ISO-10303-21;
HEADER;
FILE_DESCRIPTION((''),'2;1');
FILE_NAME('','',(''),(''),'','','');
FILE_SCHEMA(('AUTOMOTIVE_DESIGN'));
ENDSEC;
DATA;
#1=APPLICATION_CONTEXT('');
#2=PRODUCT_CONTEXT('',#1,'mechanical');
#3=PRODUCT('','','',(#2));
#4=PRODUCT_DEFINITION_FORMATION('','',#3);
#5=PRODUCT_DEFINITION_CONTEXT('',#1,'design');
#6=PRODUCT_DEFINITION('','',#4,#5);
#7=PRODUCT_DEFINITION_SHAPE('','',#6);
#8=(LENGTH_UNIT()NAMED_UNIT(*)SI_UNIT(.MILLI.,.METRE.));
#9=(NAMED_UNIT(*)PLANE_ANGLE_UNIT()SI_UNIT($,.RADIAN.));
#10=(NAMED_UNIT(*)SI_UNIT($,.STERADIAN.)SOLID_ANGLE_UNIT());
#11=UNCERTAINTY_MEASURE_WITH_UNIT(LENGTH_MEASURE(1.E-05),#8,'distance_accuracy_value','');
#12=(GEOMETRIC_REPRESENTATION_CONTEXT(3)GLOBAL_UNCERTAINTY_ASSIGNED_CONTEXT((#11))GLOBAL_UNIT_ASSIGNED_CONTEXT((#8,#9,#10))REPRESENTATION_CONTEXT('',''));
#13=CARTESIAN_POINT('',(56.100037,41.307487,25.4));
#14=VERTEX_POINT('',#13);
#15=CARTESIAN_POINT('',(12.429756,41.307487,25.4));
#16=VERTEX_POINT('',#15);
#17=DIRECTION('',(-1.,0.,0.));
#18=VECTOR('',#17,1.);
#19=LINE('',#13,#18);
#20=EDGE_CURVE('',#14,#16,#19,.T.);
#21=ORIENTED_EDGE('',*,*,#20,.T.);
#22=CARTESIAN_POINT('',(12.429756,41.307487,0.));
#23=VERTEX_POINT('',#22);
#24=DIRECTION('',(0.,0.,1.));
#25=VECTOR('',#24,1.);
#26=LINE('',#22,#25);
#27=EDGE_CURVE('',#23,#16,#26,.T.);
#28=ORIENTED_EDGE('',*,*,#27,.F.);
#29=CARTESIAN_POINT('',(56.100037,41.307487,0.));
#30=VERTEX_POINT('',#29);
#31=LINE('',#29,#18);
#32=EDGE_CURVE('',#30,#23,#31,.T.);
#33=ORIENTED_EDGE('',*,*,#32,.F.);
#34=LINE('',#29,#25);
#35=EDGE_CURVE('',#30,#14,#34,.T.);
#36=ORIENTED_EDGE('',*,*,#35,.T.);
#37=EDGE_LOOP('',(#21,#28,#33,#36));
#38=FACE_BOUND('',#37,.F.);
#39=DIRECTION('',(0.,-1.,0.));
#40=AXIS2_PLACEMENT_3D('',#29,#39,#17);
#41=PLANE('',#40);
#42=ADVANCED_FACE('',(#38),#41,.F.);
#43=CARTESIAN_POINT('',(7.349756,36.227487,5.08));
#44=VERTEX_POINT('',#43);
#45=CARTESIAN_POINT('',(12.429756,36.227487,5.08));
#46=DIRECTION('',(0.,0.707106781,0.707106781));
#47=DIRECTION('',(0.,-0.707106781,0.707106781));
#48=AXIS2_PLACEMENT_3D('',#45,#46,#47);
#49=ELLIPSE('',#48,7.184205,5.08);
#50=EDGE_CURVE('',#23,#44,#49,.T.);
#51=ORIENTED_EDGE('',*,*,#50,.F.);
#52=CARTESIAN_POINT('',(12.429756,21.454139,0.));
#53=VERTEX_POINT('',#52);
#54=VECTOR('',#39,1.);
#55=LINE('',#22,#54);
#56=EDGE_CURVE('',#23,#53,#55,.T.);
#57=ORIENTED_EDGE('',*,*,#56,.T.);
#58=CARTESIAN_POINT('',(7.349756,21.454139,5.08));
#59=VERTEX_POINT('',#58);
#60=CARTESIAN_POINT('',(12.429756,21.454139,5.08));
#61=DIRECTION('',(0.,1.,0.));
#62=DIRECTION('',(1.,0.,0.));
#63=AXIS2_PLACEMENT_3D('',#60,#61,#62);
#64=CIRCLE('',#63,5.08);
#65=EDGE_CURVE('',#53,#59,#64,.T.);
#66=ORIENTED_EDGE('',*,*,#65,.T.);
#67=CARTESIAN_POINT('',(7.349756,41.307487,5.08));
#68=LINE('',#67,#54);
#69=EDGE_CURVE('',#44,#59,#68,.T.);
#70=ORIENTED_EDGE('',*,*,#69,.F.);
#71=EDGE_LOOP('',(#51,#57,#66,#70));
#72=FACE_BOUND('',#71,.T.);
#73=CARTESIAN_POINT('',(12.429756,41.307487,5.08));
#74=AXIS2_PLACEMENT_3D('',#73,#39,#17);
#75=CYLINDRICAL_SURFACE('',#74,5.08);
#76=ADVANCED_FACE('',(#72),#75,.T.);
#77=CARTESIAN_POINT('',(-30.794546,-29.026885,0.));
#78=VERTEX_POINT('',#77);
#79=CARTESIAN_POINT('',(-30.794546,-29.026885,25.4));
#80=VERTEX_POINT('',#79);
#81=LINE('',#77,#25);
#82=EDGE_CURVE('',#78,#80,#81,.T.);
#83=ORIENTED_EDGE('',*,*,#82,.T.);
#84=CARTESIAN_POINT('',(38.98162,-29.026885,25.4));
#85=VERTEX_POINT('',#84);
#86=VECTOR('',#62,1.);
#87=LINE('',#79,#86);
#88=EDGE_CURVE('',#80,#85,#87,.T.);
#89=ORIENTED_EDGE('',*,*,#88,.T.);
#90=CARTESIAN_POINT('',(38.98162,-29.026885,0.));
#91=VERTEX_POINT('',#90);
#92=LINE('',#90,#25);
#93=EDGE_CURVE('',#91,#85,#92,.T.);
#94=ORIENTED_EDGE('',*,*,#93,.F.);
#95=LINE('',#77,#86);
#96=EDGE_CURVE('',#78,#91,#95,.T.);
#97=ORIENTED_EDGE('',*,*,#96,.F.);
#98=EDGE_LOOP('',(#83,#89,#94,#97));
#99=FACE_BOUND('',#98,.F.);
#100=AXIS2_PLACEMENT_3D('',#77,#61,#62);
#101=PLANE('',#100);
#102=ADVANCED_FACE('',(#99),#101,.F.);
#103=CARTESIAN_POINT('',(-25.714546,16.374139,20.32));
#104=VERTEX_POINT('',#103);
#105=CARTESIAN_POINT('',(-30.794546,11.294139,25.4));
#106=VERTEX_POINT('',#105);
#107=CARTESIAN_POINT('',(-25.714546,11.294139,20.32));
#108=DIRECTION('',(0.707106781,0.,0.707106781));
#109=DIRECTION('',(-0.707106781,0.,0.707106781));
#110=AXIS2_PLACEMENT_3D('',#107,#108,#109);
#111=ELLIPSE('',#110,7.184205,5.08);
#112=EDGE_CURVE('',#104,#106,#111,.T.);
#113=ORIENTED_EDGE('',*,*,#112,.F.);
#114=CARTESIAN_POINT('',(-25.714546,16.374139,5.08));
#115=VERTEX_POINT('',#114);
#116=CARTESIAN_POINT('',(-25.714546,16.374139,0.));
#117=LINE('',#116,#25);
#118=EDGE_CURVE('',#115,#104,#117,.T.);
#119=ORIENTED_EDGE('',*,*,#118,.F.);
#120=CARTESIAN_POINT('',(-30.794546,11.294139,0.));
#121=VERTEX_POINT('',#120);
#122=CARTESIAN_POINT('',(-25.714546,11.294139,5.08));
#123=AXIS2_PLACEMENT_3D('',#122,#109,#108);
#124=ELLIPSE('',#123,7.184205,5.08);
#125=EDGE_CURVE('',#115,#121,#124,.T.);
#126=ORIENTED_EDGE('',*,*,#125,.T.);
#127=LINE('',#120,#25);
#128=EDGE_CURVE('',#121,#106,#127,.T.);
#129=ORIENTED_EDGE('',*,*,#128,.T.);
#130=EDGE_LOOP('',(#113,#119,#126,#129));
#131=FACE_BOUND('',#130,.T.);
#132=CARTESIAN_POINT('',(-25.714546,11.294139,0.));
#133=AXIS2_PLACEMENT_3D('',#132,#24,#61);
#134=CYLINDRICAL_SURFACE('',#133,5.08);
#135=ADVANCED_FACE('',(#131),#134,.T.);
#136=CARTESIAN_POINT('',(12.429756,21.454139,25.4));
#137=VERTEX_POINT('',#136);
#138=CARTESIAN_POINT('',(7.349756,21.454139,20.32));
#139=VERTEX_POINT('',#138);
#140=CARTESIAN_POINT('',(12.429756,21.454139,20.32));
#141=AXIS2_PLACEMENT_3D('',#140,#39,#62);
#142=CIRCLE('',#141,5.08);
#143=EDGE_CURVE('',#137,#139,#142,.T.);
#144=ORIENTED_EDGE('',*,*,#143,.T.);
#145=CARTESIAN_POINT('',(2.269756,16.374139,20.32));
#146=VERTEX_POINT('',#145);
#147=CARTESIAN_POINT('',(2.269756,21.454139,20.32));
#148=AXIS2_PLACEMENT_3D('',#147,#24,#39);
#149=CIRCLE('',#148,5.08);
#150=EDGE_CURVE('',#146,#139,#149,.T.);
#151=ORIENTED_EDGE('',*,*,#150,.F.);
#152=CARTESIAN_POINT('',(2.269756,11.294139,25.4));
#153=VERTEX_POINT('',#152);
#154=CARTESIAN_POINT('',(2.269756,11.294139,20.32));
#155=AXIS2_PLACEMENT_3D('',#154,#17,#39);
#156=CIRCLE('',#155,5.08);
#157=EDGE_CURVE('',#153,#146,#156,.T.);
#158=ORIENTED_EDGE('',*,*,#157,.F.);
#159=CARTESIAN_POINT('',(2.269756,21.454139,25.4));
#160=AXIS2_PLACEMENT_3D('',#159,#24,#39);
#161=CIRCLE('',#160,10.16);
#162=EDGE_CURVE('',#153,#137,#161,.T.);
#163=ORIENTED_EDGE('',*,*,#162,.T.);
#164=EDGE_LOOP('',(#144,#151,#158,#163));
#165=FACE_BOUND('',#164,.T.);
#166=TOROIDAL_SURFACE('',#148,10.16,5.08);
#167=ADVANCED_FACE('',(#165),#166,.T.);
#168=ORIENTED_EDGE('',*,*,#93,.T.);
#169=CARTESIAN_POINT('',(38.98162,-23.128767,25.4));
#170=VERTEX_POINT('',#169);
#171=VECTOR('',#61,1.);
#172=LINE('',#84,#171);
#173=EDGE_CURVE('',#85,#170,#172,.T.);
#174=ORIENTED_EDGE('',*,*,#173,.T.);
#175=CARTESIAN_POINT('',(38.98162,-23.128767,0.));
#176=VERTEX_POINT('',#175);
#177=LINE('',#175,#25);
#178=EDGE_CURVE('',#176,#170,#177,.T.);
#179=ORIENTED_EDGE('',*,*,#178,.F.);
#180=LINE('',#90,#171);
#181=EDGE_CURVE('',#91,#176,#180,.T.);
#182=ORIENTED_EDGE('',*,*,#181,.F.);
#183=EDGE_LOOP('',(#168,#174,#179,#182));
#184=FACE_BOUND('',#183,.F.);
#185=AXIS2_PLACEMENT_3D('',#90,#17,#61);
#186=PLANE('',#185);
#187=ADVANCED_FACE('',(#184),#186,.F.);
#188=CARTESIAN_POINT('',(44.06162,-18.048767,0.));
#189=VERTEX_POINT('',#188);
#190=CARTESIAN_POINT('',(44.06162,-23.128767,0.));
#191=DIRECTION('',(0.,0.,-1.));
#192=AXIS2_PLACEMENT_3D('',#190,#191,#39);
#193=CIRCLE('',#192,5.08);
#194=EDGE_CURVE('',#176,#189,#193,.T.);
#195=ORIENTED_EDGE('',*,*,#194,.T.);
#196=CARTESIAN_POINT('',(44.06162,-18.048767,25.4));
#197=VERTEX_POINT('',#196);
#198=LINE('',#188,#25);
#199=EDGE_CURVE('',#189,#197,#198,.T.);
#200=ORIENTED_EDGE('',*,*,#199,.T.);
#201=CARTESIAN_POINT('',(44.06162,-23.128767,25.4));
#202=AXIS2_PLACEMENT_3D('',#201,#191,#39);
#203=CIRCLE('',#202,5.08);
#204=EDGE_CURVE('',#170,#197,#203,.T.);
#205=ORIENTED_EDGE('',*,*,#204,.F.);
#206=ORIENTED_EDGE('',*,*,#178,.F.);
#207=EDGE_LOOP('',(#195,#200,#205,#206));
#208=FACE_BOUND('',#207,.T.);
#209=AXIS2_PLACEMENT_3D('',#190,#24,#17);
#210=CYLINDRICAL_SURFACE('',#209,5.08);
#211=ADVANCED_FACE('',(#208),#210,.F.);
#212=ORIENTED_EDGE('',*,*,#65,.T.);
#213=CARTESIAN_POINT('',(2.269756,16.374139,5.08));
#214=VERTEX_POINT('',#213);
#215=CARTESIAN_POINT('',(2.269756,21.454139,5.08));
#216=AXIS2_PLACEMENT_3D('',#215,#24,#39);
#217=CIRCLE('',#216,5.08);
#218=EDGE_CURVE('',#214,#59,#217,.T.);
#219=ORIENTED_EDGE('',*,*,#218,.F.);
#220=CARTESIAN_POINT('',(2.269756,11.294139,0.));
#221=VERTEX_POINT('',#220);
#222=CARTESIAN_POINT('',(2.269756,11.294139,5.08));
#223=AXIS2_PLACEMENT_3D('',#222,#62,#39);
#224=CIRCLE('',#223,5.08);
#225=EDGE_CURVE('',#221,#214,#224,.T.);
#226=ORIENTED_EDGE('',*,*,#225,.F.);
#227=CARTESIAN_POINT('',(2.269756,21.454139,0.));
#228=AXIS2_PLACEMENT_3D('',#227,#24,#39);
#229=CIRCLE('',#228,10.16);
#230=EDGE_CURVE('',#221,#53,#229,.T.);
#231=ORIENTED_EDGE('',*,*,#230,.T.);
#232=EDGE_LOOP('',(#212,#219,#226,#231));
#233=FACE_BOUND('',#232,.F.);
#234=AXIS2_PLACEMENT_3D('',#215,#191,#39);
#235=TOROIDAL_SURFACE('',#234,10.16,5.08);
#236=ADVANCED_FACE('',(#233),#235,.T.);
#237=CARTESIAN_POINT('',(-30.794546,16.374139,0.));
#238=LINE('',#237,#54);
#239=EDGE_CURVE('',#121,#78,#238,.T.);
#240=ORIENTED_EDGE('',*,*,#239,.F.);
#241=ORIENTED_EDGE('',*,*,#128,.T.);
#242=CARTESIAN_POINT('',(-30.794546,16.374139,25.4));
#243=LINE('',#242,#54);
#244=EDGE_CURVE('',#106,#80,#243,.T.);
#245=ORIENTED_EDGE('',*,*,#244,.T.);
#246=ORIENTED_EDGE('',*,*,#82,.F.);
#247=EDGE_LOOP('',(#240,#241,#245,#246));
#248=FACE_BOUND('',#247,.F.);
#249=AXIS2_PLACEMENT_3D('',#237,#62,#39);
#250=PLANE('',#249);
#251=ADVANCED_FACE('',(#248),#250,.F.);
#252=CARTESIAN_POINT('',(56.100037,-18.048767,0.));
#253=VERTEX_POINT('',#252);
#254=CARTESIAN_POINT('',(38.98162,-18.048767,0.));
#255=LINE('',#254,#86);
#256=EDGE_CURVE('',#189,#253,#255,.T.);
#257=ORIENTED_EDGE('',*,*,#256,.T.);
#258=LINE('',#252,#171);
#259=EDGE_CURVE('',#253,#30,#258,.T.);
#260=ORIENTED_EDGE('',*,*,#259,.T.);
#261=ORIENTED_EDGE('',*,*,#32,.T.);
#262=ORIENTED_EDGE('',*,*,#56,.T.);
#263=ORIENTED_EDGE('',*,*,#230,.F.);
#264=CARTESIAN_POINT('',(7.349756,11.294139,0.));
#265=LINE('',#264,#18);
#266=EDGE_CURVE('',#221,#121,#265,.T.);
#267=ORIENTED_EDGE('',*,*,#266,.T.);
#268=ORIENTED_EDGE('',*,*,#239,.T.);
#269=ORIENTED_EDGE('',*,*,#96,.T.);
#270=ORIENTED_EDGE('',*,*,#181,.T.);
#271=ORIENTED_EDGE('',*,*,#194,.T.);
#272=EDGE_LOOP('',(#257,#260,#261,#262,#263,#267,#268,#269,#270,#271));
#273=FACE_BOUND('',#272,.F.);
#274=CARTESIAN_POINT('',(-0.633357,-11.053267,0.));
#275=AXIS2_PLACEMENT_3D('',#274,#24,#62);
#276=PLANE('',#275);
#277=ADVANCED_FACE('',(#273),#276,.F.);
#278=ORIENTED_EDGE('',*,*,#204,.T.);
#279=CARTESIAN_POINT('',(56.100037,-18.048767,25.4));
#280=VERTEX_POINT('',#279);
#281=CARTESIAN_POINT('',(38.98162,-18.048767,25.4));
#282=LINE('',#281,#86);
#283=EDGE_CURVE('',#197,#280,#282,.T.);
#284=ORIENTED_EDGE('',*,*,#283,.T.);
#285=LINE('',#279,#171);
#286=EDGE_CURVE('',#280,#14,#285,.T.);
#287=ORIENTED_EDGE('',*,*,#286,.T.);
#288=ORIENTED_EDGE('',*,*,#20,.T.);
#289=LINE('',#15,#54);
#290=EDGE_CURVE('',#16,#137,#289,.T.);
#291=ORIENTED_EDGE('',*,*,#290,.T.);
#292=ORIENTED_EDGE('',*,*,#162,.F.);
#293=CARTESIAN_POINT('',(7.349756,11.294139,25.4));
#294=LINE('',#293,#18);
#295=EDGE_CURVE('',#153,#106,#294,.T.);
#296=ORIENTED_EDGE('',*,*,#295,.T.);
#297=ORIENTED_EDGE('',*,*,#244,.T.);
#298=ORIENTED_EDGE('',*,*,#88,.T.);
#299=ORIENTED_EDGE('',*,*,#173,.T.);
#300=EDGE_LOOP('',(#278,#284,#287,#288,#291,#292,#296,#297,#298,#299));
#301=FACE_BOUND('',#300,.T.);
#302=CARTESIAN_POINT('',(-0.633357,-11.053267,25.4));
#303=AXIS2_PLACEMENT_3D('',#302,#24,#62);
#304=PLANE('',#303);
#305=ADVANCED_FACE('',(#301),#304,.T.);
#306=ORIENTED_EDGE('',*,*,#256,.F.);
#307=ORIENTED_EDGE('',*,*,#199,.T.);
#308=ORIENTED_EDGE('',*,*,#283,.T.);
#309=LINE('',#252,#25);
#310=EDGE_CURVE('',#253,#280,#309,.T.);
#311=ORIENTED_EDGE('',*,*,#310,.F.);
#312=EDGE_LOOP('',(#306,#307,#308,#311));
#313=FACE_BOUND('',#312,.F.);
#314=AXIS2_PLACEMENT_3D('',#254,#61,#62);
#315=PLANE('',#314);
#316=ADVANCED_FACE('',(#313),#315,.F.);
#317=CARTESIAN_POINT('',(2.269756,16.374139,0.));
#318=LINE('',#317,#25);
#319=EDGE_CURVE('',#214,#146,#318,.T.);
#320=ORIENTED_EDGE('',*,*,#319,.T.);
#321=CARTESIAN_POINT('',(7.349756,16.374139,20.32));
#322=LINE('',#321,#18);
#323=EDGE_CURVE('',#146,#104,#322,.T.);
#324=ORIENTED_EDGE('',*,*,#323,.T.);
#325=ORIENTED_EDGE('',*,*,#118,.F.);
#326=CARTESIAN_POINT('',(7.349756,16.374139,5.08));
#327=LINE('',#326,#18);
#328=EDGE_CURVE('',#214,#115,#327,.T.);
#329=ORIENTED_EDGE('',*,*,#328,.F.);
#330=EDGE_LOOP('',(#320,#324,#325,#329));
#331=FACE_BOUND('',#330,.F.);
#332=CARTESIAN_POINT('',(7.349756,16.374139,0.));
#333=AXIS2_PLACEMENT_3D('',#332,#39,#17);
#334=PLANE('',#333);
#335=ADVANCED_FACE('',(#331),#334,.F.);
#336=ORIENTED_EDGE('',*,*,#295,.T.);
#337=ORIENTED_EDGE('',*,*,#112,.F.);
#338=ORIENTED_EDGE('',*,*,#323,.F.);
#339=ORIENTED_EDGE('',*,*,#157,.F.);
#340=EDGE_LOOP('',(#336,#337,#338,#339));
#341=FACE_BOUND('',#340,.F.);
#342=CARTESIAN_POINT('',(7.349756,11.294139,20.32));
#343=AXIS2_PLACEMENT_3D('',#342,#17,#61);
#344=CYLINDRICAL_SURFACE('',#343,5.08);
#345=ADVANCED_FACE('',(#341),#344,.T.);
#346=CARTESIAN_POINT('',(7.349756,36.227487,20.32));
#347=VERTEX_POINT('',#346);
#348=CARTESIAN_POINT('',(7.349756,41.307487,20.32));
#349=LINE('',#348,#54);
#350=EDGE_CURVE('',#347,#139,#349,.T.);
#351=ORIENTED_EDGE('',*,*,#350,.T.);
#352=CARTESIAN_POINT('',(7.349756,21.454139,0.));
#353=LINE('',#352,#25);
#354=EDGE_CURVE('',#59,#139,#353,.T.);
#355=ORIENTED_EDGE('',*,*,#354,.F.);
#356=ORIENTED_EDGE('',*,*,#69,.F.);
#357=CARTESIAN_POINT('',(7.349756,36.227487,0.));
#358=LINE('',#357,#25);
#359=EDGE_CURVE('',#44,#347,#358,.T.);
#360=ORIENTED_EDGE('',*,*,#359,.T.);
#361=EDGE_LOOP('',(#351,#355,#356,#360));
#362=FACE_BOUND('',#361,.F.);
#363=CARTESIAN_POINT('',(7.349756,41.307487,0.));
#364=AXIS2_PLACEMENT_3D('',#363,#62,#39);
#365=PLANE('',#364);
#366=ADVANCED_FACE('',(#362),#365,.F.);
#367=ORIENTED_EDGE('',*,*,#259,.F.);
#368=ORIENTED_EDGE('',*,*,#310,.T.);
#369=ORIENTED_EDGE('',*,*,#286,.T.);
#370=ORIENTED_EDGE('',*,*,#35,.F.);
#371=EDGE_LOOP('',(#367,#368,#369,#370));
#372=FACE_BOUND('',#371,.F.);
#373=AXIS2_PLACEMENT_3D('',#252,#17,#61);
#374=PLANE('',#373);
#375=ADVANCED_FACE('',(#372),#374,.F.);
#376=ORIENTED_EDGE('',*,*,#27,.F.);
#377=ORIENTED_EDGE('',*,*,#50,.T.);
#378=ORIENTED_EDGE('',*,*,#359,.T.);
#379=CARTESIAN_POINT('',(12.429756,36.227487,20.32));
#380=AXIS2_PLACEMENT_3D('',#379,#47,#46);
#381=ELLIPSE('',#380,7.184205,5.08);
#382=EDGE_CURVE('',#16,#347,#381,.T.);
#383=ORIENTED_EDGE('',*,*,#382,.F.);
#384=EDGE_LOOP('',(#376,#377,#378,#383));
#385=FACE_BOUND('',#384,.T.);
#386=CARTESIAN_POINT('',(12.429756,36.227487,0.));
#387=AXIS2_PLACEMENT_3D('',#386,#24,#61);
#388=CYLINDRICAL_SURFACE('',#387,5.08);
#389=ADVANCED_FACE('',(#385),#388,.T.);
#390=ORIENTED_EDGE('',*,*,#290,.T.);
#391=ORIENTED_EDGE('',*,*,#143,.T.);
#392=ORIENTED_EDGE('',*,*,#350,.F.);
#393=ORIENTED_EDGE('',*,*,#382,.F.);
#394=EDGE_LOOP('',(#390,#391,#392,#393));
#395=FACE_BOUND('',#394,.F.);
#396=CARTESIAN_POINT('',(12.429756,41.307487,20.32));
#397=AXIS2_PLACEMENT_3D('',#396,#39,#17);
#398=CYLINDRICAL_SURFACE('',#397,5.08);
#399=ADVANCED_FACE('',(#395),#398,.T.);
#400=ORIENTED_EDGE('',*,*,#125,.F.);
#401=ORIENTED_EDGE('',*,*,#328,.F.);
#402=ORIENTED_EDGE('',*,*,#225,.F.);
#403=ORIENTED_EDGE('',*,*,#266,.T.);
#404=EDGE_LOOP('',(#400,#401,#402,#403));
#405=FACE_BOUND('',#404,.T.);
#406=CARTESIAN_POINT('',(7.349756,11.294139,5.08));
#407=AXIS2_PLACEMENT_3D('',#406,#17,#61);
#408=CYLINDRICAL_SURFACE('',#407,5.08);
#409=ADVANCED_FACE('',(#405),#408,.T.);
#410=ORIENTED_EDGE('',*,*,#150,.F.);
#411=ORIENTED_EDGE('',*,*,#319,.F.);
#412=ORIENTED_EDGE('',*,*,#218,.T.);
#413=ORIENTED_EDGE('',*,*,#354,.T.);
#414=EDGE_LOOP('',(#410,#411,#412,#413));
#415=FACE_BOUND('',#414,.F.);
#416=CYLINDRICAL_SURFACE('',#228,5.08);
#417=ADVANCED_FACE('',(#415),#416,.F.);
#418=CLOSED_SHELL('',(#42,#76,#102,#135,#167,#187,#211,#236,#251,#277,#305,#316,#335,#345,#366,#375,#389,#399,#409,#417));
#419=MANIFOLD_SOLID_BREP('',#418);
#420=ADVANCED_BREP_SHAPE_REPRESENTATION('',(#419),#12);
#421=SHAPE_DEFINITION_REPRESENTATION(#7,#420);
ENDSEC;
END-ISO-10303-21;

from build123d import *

# Parameters (mm, degrees)
F0_W     = 31.6318641417
F0_H     = 34.4229061157
F1_DEPTH = 25.4
F2_R     = 5.08


with BuildPart() as f1:
    # F0 (on Top) → F1 (new body)
    with BuildSketch(Plane.XY):
        Polygon((7.3497560807, 16.3741391152), (-30.7945460081, 16.3741391152), (-30.7945460081, -29.0268845856), (38.9816202223, -29.0268845856), (38.9816202223, -18.0487670004), (7.3497560807, -18.0487670004), align=None)
        Polygon((7.3497560807, 41.3074865937), (7.3497560807, 16.3741391152), (38.9816202223, 16.3741391152), (38.9816202223, -18.0487670004), (56.1000369489, -18.0487670004), (56.1000369489, 41.3074865937), align=None)
        with Locations((23.1656881515, -0.8373139426)):
            Rectangle(F0_W, F0_H)
    extrude(amount=F1_DEPTH)

    # F2
    f2_edges = [f1.edges().sort_by_distance(p)[0] for p in [
        (7.349756, 16.374139, 12.7),
        (-30.794546, 16.374139, 12.7),
        (-11.722395, 16.374139, 0),
        (-11.722395, 16.374139, 25.4),
        (7.349756, 41.307487, 12.7),
        (7.349756, 28.840813, 0),
        (7.349756, 28.840813, 25.4),
        (38.98162, -18.048767, 12.7),
    ]]
    fillet(f2_edges, radius=F2_R)


solid = f1.part
